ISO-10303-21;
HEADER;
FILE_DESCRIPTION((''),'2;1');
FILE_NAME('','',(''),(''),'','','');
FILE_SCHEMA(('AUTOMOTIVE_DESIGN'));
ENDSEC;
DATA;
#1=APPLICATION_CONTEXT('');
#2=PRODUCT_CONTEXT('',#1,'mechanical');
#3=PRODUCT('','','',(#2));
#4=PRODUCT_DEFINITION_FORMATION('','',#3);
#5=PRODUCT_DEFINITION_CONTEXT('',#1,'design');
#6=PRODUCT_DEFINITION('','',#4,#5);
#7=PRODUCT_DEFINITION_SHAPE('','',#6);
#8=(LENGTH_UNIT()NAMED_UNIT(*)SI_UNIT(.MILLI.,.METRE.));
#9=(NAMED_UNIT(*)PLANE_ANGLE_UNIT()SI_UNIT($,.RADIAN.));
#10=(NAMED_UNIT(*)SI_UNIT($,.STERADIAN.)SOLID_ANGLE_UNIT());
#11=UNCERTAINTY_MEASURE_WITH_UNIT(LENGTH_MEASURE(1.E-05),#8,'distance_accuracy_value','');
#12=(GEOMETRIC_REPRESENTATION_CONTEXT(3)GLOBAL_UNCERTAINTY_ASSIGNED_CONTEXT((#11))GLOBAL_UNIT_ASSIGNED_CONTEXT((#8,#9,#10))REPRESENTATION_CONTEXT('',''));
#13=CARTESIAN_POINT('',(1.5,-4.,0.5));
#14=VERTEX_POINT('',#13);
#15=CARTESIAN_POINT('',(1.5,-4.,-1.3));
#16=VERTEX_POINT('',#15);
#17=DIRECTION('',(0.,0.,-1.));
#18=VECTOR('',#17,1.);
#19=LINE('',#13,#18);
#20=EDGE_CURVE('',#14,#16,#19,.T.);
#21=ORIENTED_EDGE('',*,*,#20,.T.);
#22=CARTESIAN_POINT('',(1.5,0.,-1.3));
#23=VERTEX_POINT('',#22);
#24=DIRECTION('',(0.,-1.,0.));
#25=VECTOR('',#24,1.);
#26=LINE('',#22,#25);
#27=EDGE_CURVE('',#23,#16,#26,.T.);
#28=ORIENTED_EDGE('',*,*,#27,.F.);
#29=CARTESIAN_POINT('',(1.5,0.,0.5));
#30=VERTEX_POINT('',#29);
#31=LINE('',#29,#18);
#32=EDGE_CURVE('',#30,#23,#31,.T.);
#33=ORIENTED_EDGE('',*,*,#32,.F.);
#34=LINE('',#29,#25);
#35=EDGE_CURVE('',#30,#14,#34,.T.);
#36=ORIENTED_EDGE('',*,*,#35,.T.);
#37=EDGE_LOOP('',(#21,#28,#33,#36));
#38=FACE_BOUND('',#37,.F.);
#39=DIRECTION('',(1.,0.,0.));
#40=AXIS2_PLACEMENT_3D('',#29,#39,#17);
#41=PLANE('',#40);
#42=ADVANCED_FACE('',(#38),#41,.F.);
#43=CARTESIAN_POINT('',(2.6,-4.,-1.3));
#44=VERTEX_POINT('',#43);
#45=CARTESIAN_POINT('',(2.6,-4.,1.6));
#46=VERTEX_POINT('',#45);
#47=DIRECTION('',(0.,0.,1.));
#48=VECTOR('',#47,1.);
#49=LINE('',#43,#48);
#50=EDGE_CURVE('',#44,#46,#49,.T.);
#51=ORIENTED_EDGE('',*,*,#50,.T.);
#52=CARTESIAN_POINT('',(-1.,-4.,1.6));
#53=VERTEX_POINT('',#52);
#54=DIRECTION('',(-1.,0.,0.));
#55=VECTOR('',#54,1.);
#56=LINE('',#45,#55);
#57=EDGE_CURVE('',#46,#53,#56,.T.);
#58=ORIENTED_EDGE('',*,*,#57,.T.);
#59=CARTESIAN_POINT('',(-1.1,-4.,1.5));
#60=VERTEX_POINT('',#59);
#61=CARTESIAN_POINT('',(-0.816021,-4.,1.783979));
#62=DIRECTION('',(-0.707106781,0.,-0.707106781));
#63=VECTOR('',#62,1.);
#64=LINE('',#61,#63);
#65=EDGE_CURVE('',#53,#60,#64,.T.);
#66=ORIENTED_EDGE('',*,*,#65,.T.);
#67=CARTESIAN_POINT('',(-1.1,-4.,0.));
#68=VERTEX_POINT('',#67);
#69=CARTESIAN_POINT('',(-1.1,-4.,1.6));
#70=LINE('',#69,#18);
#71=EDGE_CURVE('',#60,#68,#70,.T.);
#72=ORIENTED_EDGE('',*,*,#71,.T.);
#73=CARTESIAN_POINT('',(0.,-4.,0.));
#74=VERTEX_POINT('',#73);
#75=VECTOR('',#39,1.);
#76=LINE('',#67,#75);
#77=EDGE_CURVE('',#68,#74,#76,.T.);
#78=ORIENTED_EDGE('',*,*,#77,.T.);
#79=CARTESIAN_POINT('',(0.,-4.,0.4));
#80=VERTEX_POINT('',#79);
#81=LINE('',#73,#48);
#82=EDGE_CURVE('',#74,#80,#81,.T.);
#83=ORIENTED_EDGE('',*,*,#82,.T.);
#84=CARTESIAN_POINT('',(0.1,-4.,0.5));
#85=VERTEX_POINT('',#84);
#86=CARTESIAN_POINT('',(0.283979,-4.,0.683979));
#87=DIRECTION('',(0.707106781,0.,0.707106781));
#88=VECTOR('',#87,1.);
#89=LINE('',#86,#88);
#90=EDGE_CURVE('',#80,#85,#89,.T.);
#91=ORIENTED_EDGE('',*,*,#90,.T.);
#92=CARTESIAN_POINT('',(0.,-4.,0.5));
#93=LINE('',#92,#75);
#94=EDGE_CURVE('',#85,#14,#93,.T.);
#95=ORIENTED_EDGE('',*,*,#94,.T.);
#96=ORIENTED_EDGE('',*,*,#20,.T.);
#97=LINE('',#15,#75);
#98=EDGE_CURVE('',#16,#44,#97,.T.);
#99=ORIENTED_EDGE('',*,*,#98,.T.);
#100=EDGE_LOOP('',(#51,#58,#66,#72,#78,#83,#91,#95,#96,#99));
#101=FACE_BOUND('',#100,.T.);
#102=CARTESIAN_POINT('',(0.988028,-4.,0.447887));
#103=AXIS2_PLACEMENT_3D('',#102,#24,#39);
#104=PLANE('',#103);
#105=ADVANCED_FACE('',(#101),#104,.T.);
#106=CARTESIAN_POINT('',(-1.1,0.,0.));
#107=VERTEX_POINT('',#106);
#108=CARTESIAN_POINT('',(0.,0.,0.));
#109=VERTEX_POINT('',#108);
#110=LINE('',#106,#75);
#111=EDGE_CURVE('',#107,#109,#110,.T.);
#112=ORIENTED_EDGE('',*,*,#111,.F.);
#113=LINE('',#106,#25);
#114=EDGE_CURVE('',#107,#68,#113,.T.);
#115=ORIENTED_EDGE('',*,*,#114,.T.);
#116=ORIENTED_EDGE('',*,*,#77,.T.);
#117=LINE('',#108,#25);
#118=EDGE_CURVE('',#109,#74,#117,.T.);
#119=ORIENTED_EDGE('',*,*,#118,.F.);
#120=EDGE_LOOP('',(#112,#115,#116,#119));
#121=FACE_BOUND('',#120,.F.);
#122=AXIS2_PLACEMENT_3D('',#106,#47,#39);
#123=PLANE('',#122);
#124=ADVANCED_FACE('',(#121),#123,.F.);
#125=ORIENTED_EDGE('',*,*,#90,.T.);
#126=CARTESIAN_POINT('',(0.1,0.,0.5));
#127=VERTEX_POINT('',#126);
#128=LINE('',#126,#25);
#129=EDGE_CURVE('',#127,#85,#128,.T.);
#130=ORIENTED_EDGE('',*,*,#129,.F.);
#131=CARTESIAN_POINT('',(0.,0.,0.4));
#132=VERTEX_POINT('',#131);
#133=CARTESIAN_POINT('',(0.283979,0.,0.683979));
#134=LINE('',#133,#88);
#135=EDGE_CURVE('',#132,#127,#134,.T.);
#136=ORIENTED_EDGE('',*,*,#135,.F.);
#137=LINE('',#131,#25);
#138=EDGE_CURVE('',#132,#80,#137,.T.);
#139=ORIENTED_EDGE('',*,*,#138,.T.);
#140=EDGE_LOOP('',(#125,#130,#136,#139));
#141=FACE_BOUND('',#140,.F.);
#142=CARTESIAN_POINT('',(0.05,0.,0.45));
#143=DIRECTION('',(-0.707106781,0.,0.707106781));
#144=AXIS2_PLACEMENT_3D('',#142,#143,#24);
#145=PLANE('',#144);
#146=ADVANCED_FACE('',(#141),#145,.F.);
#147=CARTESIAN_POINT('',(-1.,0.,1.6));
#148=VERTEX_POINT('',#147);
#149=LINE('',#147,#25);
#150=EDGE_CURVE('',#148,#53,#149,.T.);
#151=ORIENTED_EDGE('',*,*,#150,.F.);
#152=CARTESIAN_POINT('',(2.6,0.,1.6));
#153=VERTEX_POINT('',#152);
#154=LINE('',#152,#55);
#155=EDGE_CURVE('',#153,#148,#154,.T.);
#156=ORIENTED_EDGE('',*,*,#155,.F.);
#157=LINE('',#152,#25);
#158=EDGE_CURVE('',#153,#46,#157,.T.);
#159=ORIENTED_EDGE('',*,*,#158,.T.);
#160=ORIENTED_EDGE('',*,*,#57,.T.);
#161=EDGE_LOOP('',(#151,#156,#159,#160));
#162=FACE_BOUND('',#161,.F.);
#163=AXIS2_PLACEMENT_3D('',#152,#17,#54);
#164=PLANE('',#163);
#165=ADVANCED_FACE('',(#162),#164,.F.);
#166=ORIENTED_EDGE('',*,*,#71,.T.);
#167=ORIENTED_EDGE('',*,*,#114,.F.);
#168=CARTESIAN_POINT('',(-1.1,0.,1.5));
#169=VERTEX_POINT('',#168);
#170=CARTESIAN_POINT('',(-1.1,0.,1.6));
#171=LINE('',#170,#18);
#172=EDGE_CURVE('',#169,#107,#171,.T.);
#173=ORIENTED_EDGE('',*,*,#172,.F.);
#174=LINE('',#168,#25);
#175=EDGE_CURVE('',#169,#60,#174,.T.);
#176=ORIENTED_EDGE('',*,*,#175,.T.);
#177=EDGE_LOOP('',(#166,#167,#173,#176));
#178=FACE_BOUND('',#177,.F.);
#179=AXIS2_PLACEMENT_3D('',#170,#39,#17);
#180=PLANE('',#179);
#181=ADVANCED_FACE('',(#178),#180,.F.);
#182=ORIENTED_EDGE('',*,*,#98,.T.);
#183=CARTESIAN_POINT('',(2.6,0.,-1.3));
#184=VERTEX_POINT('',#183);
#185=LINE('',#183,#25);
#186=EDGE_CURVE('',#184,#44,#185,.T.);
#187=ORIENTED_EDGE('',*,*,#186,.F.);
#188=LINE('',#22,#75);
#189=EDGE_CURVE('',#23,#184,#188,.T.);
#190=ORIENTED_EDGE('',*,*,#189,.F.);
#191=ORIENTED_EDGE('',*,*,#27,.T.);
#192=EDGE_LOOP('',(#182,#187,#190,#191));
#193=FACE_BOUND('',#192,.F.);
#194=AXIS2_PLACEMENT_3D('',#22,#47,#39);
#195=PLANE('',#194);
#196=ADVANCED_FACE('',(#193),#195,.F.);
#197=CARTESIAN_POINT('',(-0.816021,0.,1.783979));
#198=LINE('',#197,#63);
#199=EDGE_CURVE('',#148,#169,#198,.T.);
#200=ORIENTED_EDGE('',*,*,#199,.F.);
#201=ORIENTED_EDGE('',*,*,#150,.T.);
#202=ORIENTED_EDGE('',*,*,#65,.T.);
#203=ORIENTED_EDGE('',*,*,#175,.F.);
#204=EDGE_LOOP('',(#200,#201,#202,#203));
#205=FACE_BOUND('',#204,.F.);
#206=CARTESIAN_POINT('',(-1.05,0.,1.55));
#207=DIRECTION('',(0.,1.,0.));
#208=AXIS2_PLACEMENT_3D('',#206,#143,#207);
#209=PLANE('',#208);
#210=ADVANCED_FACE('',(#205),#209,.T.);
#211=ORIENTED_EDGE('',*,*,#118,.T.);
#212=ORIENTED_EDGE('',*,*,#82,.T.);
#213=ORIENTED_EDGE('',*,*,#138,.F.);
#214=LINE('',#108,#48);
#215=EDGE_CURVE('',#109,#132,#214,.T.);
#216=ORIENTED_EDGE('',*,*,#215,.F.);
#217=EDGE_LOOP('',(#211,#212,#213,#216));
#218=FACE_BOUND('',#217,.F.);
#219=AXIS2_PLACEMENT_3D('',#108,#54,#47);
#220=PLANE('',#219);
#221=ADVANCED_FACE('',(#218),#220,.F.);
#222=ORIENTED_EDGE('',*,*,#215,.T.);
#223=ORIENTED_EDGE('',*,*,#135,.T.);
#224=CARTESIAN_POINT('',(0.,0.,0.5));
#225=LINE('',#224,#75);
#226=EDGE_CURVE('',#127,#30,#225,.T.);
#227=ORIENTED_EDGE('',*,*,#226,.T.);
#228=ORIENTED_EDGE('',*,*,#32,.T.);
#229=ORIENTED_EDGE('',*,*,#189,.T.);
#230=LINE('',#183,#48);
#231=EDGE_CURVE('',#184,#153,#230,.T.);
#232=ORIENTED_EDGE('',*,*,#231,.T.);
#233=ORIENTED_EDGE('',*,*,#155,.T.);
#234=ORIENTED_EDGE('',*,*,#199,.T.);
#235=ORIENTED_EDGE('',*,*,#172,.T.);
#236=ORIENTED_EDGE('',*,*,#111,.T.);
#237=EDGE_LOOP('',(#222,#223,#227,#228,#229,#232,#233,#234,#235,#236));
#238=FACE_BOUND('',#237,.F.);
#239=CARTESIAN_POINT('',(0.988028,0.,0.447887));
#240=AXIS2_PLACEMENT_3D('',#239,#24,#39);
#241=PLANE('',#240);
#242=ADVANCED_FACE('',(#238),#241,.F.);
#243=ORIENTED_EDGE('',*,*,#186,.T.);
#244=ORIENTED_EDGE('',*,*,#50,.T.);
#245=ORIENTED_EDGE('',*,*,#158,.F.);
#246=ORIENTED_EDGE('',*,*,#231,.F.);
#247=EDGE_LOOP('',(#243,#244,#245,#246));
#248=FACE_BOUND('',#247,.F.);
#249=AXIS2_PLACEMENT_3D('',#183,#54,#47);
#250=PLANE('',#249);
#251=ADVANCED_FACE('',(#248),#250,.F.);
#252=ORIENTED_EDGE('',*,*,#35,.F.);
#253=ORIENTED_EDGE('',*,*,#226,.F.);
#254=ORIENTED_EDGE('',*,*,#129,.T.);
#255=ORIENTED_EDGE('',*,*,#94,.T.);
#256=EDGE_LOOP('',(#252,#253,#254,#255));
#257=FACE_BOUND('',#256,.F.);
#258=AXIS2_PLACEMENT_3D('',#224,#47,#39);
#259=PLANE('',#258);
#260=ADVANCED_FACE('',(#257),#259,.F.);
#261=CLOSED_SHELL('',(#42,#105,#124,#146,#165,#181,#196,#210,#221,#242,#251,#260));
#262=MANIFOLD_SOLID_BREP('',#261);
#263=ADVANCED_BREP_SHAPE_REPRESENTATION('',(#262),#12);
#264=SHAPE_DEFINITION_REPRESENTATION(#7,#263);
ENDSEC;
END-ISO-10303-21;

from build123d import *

# Parameters (mm, degrees)
F1_DEPTH = 4
F2_SIZE  = 0.1


with BuildPart() as f1:
    # F0 (on Front) → F1 (new body)
    with BuildSketch(Plane.XZ):
        Polygon((-1.1, 0), (0, 0), (0, 0.5), (1.5, 0.5), (1.5, -1.3), (2.6, -1.3), (2.6, 1.6), (-1.1, 1.6), align=None)
    extrude(amount=F1_DEPTH)

    # F2
    f2_edges = [f1.edges().sort_by_distance(p)[0] for p in [
        (0, -2, 0.5),
        (-1.1, -2, 1.6),
    ]]
    chamfer(f2_edges, length=F2_SIZE)


solid = f1.part
